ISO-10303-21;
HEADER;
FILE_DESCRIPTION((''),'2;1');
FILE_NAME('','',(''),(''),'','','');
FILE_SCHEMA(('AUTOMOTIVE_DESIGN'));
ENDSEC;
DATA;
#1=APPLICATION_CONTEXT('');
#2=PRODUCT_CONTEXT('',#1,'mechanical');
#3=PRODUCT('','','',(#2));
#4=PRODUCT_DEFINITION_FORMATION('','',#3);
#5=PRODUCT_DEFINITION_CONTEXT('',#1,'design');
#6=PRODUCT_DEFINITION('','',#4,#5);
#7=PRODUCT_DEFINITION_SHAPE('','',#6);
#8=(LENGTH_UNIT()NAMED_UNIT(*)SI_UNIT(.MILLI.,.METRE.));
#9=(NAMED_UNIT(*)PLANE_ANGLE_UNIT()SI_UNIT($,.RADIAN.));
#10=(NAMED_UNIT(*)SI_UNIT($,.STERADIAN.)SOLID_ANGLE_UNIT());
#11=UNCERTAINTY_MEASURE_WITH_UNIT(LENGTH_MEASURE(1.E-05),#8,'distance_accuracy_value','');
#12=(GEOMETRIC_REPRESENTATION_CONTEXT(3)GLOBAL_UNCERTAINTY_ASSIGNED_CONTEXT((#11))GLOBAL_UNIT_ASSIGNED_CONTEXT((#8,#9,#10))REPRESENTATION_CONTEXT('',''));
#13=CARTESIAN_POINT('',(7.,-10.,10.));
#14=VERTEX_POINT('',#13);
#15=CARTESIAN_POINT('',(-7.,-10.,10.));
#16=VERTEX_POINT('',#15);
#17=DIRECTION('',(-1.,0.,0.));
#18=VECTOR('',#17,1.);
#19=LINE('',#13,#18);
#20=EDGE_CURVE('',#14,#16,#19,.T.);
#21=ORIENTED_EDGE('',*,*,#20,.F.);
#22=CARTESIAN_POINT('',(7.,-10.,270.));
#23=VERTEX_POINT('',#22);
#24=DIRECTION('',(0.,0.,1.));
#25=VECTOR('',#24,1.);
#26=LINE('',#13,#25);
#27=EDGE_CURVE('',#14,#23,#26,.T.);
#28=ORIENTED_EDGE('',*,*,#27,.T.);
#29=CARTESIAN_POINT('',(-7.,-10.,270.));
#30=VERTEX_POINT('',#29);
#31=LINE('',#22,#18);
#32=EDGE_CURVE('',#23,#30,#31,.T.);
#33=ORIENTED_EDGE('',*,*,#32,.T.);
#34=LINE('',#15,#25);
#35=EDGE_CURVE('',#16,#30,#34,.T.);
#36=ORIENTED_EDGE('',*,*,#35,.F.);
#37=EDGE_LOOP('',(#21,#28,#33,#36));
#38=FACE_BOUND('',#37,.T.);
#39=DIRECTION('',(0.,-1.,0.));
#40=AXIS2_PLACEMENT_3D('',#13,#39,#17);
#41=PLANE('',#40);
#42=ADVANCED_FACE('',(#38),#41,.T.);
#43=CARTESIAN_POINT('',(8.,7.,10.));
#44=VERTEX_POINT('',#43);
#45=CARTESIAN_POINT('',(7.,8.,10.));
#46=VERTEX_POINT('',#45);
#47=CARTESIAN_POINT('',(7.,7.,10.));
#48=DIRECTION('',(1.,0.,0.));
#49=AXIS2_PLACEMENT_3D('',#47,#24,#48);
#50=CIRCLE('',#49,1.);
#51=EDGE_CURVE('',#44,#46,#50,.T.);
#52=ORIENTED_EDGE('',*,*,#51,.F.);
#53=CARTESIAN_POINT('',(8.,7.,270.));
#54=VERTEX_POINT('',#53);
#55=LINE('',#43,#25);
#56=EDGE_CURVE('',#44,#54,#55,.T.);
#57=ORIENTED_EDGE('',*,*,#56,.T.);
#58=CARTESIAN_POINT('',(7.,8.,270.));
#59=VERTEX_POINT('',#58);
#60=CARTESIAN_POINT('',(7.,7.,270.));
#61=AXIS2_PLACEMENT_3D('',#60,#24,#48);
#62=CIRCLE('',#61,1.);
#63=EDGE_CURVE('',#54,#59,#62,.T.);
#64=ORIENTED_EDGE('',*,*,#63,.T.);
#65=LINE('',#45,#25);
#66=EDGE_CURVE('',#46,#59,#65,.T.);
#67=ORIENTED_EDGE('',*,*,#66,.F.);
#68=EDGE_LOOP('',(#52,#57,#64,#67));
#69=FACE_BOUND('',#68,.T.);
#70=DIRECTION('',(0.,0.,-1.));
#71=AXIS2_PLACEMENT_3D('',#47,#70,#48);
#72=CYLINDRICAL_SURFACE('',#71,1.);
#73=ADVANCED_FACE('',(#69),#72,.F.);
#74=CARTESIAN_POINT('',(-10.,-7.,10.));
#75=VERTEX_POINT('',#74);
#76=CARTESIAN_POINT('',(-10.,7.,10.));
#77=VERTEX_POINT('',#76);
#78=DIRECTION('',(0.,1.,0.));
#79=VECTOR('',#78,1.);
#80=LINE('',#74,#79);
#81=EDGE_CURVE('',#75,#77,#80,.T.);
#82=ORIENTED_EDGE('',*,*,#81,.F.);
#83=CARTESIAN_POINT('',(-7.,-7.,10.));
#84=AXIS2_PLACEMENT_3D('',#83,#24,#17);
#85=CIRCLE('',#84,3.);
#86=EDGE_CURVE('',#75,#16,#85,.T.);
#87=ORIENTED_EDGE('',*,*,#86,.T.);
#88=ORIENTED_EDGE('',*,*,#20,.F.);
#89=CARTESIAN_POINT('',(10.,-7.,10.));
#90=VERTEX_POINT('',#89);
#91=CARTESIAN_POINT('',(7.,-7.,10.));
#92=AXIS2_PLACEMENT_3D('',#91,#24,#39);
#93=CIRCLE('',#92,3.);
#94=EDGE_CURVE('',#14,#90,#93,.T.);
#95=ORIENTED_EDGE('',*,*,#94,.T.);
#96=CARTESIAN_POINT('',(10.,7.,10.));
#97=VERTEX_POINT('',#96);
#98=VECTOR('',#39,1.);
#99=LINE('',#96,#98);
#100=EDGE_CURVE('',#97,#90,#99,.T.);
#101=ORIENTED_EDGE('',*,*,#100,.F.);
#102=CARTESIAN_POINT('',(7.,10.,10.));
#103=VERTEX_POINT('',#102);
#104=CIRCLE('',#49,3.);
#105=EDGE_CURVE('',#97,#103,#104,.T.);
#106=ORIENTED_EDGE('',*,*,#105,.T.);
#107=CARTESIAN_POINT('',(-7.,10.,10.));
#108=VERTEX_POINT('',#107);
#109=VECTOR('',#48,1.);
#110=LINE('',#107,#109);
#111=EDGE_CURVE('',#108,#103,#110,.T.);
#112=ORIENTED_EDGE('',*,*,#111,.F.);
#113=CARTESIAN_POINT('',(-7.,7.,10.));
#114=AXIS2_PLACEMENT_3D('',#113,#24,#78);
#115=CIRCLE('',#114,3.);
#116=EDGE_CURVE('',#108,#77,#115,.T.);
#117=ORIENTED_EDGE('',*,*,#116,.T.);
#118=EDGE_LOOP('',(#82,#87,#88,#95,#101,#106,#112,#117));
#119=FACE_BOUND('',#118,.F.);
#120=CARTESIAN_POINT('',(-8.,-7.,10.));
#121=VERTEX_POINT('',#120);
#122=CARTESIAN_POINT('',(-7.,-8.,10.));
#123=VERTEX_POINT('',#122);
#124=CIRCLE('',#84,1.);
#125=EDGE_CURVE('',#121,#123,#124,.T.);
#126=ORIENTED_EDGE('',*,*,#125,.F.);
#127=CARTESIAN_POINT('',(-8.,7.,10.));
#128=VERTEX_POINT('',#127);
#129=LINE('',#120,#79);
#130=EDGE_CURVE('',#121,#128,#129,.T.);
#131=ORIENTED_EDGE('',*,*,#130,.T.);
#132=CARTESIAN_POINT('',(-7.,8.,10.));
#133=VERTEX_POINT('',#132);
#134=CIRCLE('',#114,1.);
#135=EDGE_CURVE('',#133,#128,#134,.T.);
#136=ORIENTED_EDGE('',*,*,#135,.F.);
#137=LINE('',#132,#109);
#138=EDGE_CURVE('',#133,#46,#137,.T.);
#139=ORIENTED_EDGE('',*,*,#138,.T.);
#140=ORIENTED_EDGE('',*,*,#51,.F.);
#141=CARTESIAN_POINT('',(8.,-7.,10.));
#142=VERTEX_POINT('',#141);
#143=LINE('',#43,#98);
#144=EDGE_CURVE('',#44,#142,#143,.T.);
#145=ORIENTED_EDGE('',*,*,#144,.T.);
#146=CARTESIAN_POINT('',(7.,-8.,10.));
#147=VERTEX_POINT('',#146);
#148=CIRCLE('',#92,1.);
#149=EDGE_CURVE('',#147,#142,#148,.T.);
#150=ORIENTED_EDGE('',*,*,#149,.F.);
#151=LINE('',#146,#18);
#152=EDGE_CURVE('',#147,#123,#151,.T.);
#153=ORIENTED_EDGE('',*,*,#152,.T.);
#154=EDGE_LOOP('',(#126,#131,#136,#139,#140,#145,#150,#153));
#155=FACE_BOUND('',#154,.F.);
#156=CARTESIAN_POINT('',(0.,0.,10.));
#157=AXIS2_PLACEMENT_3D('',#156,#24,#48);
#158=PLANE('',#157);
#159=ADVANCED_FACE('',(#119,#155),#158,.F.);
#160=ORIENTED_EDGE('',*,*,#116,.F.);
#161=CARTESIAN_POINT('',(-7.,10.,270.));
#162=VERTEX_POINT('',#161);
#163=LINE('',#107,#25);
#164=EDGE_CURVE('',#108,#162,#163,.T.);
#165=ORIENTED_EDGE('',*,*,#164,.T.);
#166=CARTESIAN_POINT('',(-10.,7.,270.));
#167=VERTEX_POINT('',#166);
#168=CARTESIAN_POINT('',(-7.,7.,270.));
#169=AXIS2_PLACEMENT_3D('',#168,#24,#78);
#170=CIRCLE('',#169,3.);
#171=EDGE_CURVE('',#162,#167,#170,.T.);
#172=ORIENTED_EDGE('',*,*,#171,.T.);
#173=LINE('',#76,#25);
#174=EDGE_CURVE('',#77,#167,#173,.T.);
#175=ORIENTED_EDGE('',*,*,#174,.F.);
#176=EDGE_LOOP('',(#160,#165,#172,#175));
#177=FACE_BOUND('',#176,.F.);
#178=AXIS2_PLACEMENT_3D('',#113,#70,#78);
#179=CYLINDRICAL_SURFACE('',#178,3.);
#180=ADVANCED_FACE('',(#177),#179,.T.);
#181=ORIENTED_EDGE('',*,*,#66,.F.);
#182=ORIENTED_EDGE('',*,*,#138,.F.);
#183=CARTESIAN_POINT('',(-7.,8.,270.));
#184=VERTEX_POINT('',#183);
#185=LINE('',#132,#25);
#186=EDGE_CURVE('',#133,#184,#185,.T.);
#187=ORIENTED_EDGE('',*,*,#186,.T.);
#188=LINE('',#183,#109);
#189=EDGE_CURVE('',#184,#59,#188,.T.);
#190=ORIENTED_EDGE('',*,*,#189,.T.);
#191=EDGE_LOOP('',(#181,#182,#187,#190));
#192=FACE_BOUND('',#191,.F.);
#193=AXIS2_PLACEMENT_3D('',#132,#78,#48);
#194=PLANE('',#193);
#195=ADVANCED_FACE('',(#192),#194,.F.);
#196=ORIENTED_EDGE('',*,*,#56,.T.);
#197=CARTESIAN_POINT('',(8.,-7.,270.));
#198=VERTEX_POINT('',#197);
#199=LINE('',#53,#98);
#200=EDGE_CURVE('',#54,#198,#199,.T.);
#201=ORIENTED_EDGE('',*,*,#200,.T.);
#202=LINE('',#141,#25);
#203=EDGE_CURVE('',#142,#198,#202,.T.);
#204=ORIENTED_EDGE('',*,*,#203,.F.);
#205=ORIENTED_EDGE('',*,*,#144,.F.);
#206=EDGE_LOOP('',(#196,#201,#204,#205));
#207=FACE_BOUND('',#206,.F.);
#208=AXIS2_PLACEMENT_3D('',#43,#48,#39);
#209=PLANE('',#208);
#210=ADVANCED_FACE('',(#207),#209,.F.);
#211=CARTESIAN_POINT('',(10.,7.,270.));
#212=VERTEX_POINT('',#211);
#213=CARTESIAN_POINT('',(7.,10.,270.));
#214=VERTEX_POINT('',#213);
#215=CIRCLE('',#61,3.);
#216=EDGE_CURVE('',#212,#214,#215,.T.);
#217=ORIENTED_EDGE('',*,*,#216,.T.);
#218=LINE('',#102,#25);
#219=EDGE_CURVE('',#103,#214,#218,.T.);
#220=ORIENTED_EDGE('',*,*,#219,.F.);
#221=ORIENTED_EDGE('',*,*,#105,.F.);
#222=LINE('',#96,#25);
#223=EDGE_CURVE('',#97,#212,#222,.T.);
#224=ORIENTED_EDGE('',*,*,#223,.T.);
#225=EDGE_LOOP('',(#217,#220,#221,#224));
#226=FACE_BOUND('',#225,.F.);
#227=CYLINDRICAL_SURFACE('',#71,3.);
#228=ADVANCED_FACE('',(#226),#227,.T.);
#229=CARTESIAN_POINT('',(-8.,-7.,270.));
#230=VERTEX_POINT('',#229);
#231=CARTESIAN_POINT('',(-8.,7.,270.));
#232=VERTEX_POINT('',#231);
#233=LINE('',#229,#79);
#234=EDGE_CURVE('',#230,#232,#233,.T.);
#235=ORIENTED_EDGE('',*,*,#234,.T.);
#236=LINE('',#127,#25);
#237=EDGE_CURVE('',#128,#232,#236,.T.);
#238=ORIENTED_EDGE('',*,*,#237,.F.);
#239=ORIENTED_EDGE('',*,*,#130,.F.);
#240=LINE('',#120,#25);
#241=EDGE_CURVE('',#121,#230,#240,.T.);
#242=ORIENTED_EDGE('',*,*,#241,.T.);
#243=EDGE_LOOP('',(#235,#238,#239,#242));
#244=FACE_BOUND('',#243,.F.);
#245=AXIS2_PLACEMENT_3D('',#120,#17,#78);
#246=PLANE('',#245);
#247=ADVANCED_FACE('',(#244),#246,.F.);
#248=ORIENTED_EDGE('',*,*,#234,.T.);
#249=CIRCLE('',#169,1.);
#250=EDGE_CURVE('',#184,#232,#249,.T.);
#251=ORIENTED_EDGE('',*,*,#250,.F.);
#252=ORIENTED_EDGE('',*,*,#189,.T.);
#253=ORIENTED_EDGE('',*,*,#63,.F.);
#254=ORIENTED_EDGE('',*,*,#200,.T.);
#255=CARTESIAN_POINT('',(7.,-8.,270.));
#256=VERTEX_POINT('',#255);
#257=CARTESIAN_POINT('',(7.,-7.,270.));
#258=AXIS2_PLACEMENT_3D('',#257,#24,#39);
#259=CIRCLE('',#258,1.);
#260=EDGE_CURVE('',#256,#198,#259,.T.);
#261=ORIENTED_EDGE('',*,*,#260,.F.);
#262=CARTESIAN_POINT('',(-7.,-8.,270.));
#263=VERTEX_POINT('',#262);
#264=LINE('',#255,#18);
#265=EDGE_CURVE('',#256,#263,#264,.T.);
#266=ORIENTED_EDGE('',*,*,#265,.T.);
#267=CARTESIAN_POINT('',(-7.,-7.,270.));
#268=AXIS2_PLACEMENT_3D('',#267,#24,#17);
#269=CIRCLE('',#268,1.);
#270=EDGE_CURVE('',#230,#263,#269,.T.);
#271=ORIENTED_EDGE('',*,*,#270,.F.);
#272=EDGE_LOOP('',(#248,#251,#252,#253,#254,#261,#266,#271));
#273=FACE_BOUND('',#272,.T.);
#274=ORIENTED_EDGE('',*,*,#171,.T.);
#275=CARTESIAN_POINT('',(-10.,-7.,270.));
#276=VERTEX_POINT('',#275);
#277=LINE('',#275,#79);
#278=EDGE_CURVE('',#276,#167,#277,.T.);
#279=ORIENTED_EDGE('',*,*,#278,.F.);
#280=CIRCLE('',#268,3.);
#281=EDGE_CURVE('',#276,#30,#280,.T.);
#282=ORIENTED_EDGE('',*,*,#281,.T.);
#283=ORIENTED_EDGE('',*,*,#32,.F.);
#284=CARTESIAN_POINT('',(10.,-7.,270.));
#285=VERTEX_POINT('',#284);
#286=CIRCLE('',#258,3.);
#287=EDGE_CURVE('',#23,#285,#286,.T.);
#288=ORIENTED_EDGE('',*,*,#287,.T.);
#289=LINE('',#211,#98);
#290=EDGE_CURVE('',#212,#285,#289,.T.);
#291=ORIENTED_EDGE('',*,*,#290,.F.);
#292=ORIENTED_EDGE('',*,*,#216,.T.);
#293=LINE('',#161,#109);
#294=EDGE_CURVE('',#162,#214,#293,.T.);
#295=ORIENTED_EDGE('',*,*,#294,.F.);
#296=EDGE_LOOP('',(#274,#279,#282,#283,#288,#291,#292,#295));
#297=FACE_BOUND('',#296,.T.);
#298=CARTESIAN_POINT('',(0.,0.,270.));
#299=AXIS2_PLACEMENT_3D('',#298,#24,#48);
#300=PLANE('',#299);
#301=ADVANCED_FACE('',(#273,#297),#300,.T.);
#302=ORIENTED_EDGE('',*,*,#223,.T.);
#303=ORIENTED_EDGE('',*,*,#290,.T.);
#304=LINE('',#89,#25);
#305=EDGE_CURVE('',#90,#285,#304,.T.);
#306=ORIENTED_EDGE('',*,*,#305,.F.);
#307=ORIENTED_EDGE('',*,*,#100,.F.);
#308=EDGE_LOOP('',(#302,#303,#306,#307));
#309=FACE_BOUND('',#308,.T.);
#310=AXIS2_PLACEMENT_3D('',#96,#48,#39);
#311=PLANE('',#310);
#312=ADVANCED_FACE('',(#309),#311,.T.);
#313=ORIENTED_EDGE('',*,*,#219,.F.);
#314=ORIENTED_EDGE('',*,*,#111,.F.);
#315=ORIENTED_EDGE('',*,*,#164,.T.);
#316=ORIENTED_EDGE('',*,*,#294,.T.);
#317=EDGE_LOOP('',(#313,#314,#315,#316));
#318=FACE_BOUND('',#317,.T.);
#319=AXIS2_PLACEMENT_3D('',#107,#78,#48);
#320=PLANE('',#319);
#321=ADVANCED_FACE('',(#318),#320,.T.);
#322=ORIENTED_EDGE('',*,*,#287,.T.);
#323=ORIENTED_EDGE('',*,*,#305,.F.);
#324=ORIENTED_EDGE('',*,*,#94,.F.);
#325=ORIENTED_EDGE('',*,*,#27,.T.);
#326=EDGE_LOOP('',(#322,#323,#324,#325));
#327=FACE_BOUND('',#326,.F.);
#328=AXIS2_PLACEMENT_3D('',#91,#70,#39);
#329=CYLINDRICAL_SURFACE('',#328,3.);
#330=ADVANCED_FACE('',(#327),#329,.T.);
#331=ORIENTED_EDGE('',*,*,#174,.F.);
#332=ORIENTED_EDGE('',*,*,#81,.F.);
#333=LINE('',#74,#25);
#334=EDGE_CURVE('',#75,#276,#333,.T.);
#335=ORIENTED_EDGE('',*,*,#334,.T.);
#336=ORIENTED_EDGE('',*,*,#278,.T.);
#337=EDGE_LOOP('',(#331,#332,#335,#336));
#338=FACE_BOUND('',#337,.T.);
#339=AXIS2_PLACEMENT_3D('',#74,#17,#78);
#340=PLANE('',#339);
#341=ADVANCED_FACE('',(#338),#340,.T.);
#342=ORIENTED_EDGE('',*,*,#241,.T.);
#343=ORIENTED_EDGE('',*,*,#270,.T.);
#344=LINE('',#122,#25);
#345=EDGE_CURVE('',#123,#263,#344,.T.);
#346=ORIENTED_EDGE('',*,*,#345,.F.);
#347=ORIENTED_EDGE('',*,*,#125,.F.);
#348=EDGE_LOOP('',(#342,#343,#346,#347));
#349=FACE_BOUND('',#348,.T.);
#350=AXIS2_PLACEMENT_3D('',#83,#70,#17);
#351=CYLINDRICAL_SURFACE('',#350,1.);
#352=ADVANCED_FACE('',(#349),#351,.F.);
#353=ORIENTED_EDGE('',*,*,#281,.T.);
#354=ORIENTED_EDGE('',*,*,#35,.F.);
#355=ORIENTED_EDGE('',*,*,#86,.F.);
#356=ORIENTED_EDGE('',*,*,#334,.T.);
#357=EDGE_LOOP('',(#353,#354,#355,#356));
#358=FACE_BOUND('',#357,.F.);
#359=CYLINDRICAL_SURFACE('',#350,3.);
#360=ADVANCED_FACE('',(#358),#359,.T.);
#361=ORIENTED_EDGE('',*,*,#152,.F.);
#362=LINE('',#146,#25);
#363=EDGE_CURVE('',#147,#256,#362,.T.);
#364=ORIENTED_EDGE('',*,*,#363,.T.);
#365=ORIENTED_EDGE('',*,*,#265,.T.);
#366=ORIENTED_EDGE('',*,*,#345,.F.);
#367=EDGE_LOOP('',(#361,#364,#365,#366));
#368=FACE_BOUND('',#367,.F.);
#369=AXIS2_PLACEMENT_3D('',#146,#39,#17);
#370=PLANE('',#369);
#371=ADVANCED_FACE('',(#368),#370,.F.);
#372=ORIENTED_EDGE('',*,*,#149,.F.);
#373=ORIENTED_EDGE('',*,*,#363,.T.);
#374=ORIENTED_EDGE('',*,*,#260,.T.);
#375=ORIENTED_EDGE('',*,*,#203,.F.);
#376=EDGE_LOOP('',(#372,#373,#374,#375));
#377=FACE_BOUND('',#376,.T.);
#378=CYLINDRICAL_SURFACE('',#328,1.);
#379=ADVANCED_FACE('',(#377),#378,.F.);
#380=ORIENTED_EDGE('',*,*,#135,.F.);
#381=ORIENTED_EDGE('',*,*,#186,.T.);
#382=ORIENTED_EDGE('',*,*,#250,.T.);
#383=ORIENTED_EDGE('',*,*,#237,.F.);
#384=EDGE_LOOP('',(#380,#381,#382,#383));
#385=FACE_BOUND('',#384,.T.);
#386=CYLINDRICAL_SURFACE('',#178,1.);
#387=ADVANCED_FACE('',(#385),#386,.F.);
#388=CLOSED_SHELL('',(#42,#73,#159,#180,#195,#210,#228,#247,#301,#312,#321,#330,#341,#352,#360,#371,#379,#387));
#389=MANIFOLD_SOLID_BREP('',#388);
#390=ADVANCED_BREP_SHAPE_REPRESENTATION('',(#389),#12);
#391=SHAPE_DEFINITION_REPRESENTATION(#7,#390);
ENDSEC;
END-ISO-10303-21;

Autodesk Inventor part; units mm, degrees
ref_plane "Start Plane" through (0, 0, 10) normal (0, 0, 1) x (1, 0, 0)
ref_plane "End Plane" through (0, 0, 270) normal (0, 0, 1) x (1, 0, 0)
sketch "Sketch" plane through (0, 0, 0) normal (0, 0, 1) x (1, 0, 0)
  line L0 (-10, -7) -> (-10, 7)
  line L1 (-7, 10) -> (7, 10)
  line L2 (10, 7) -> (10, -7)
  line L3 (7, -10) -> (-7, -10)
  arc A0 (-10, -7) -> (-7, -10) centre (-7, -7) ccw
  arc A1 (-7, 10) -> (-10, 7) centre (-7, 7) ccw
  arc A2 (10, 7) -> (7, 10) centre (7, 7) ccw
  arc A3 (7, -10) -> (10, -7) centre (7, -7) ccw
  arc A4 (-7, 8) -> (-8, 7) centre (-7, 7) ccw
  line L4 (-7, 8) -> (7, 8)
  arc A5 (8, 7) -> (7, 8) centre (7, 7) ccw
  line L5 (8, 7) -> (8, -7)
  arc A6 (7, -8) -> (8, -7) centre (7, -7) ccw
  line L6 (7, -8) -> (-7, -8)
  arc A7 (-8, -7) -> (-7, -8) centre (-7, -7) ccw
  line L7 (-8, -7) -> (-8, 7)
  line L8 (0, 14.8698) -> (0, -14.8698) construction
  line L9 (-14.8698, 0) -> (14.8698, 0) construction
  dimension "d7" = 3
  dimension "d10" = 20
  dimension "d11" = 20
  dimension "d12" = 2
  dimension "d15" = 10
  dimension "d16" = 10
extrude "Body" add sketch "Sketch" along normal up to surface (260 mm away) from surface at 10
sketch "Sketch3" plane through (0, 0, 0) normal (0, 0, 1) x (1, 0, 0)
  line L0 (0, 0) -> (10, 0)
ref_plane "Work Plane3" through (0, 0, 0) normal (0, -1, 0) x (1, 0, 0)
sketch "Sketch4" plane through (0, 0, 0) normal (0, -1, 0) x (1, 0, 0)
  line L0 (-2, 10) -> (12, 10)
  line L1 (-2, 270) -> (12, 270)
  dimension "d18" = 260
ref_plane "Work Plane4" through (167.5, -7, 270) normal (0, 0, 1) x (1, 0, 0)
split "Split1" plane through (167.5, -7, 270) removes the side toward (0, 0, 1)
ref_plane "Work Plane5" through (-75, -7, 10) normal (0, 0, -1) x (-1, 0, 0)
split "Split2" plane through (-75, -7, 10) removes the side toward (0, 0, -1)
equation "\"d7\" = G_IR"
equation "\"d10\" = G_H"
equation "\"d11\" = G_W"
equation "\"d12\" = G_T"
equation "\"d15\" = 0.5 * d10"
equation "\"d16\" = 0.5 * d11"
equation "\"d3\" = G_L"
equation "\"G_W\" = 20"
equation "\"G_H\" = 20"
equation "\"G_T\" = 2"
equation "\"G_IR\" = 3"
equation "\"G_L\" = d18"
properties part number "ISO 12633-2 - 20x20x2 - 260" material "Steel, Mild"
